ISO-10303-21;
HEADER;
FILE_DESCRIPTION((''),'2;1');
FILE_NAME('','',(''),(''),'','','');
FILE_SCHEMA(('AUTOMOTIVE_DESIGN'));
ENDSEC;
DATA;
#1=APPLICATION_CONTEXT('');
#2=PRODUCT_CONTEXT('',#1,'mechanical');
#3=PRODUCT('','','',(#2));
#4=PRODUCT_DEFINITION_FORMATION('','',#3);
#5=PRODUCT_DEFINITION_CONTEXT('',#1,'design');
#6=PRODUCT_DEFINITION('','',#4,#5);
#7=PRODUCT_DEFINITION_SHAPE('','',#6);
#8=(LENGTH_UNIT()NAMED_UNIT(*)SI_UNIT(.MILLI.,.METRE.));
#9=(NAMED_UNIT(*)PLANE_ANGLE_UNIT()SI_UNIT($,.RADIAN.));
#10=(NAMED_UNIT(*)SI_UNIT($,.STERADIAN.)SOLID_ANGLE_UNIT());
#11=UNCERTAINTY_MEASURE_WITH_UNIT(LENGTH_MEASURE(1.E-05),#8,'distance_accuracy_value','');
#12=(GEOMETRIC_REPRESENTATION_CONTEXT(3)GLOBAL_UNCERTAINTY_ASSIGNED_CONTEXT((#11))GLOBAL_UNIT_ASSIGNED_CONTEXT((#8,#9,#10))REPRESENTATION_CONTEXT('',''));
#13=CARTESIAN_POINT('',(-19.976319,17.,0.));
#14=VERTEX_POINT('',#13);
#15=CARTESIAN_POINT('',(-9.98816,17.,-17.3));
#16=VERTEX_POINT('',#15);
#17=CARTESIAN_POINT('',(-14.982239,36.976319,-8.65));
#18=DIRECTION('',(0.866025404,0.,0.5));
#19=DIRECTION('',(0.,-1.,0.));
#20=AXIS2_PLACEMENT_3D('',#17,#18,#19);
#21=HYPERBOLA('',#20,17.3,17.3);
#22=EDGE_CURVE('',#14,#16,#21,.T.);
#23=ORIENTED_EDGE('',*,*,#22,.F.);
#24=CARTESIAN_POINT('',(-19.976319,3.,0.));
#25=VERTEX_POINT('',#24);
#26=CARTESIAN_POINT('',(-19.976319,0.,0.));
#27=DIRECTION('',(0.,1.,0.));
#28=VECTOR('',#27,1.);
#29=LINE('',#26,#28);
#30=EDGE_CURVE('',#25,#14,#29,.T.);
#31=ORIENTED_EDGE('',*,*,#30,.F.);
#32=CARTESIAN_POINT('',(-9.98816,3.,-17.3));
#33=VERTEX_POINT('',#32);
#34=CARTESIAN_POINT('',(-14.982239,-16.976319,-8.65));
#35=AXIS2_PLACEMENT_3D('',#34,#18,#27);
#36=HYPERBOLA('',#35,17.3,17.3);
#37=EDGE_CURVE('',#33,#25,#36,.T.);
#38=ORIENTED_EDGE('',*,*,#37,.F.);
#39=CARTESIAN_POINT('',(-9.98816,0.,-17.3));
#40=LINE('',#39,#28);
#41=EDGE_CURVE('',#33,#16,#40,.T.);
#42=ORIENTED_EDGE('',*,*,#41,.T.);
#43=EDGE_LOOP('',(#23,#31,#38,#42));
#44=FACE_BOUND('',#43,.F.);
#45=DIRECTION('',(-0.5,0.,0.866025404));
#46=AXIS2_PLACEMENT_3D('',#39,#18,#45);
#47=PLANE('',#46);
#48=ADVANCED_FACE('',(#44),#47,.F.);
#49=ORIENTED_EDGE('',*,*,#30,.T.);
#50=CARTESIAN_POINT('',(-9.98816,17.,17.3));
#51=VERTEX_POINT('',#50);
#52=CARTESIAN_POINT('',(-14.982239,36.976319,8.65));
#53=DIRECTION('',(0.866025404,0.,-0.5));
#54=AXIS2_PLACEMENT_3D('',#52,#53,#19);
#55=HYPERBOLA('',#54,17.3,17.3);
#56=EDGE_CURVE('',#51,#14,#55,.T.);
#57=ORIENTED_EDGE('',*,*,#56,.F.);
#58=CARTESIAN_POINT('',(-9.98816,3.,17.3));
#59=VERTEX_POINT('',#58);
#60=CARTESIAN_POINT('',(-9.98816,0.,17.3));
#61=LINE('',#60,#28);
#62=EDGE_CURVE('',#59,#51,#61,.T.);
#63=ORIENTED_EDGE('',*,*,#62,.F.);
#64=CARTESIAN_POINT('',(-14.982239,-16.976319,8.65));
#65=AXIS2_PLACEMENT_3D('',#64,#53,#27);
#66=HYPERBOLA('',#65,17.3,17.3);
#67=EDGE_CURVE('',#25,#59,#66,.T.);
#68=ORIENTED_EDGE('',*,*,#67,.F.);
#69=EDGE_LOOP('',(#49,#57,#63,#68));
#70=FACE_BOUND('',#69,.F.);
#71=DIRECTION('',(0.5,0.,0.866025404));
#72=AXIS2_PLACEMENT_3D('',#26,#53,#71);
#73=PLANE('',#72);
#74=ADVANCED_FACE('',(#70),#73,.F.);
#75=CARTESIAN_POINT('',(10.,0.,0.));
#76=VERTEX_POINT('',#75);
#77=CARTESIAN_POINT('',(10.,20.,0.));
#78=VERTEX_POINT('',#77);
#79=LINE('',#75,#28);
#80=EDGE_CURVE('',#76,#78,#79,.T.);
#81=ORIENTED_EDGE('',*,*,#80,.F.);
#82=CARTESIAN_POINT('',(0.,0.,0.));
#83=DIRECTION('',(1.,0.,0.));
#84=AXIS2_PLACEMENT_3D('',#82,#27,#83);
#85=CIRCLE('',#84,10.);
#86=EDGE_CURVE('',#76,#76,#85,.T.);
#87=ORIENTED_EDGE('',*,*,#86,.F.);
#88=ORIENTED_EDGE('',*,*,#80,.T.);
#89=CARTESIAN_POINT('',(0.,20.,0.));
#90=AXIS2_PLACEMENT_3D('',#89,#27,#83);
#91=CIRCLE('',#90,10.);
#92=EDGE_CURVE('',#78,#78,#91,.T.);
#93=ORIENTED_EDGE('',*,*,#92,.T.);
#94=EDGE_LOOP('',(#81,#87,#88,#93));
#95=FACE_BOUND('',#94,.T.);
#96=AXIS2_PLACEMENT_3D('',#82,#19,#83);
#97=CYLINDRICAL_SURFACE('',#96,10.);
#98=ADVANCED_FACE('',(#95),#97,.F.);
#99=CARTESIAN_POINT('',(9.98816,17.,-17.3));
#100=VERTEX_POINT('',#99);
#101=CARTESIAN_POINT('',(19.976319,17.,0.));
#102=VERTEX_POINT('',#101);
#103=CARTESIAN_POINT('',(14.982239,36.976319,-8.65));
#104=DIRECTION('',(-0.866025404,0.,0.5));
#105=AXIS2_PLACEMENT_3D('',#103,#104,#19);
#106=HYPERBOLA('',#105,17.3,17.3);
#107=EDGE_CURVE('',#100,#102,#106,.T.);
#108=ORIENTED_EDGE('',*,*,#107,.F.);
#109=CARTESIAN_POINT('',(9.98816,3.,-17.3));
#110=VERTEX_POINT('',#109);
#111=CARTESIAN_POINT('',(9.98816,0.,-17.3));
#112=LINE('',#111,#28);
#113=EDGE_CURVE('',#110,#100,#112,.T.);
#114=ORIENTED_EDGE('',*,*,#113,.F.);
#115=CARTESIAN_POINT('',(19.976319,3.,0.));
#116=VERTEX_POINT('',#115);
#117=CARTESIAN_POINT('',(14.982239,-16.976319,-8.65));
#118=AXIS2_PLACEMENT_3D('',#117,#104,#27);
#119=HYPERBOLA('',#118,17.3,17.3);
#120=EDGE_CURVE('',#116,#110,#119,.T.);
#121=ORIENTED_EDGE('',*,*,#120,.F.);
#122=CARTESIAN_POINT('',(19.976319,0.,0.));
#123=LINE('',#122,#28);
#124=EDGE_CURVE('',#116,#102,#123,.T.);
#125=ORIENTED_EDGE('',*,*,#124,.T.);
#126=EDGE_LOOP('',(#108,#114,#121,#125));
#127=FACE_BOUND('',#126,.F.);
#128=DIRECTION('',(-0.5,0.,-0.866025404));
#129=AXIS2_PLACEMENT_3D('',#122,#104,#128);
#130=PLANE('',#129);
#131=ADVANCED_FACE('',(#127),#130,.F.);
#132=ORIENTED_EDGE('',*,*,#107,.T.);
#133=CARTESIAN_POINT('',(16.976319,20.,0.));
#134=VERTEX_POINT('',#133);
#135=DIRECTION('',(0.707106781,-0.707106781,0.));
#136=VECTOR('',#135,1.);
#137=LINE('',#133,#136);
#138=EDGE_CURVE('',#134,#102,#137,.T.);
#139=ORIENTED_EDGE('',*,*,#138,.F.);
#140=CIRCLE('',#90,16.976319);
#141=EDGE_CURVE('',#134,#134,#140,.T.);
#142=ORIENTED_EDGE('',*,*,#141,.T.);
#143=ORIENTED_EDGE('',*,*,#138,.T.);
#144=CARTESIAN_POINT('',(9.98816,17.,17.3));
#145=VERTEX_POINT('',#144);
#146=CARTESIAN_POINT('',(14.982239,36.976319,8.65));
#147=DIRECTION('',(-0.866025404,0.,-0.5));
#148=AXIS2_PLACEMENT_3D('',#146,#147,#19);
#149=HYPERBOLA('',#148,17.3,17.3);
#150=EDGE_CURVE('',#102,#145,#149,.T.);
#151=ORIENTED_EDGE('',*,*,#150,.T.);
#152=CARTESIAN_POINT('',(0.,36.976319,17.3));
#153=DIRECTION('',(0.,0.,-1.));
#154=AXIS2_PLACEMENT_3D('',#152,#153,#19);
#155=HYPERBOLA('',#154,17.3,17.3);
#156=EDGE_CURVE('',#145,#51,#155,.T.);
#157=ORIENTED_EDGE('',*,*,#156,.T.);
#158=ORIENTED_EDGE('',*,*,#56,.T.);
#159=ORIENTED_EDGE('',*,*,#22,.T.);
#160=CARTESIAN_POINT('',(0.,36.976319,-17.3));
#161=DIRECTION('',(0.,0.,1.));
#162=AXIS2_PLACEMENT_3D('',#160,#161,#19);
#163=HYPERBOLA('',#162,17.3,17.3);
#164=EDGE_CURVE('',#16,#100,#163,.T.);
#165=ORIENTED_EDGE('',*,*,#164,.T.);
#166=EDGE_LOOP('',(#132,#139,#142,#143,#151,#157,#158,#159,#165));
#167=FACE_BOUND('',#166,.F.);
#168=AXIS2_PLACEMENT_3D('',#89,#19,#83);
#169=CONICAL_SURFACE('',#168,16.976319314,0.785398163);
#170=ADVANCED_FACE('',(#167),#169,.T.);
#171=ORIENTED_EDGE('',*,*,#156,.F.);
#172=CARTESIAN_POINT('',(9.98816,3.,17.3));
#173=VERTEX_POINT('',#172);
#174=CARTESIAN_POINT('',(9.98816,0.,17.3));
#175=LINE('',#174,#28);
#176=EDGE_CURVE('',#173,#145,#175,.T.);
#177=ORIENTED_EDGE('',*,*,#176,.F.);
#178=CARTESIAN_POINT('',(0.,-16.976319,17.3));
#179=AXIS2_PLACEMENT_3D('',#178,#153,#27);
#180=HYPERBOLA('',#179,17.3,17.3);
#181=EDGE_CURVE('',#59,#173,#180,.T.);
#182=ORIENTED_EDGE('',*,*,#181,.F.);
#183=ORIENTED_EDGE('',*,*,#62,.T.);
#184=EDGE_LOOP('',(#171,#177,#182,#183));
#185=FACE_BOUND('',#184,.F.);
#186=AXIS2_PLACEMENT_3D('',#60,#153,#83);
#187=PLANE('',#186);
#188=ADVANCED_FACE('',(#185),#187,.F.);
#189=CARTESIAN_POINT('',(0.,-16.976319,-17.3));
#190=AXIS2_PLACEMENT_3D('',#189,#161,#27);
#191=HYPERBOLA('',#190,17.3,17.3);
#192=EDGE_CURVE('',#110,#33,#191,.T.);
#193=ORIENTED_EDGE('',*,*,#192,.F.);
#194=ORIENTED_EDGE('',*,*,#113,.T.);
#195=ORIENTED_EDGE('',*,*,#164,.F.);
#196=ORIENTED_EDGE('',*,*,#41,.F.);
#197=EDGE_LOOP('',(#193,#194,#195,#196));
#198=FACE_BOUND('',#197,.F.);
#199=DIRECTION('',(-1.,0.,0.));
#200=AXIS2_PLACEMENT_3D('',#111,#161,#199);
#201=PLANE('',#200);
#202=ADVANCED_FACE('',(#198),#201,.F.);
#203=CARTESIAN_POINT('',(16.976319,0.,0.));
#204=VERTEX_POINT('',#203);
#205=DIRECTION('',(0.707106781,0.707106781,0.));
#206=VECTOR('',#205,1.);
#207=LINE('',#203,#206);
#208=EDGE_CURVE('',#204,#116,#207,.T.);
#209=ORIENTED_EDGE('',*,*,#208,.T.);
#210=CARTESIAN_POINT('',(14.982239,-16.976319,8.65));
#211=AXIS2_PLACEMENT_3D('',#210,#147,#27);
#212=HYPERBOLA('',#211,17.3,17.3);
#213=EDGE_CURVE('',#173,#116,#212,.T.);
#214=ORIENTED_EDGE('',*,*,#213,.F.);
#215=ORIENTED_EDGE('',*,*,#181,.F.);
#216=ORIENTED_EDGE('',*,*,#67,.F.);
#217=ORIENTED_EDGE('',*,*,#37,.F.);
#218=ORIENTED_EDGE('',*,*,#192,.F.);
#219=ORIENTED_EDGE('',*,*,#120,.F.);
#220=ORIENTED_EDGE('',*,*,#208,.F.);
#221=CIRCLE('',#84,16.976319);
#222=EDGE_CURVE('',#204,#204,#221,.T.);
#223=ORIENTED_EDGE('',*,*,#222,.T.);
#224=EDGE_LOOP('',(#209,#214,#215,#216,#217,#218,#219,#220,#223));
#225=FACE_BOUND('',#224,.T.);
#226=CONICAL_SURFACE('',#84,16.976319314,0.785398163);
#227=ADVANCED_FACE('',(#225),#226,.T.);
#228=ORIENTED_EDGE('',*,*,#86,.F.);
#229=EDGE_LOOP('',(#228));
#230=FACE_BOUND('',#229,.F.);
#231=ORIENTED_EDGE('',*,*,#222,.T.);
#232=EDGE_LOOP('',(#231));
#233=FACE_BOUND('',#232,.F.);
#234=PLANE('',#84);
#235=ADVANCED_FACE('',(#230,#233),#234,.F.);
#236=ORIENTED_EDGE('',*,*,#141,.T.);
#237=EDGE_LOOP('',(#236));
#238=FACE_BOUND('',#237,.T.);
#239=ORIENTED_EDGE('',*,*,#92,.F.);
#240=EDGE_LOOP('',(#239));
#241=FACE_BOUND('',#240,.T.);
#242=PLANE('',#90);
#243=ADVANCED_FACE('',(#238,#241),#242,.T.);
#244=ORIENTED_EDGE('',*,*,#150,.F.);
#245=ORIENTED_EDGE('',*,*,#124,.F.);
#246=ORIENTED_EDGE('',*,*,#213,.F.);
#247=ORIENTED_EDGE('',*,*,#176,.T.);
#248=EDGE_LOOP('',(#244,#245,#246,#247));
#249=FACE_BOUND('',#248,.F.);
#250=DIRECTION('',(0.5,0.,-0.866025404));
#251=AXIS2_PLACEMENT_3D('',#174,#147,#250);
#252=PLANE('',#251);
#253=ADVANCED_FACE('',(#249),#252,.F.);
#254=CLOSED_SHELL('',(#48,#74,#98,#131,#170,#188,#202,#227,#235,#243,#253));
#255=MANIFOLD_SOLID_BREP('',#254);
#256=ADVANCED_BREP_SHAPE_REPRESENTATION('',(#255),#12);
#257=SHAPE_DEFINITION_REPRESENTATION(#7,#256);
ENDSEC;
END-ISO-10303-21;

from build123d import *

# Parameters (mm, degrees)
SKETCH5_R           = 10
BOSS_EXTRUDE1_DEPTH = 20


with BuildPart() as part:
    # Sketch5 → Boss-Extrude1 (new body)
    with BuildSketch(Plane(origin=(0, 0, 0), x_dir=(1, 0, 0), z_dir=(0, 1, 0))):
        Polygon((19.976319314, 0), (9.988159657, 17.3), (-9.988159657, 17.3), (-19.976319314, 0), (-9.988159657, -17.3), (9.988159657, -17.3), align=None)
        Circle(SKETCH5_R, mode=Mode.SUBTRACT)
    extrude(amount=BOSS_EXTRUDE1_DEPTH)

    # Sketch6 → Cut-Revolve1 (revolve, cut)
    with BuildSketch(Plane.XY):
        Polygon((19.976319314, 0), (16.976319314, 0), (19.976319314, 3), align=None)
        Polygon((19.976319314, 20), (16.976319314, 20), (19.976319314, 17), align=None)
    revolve(axis=Axis((0, 0, 0), (0, 1, 0)), mode=Mode.SUBTRACT)


solid = part.part
